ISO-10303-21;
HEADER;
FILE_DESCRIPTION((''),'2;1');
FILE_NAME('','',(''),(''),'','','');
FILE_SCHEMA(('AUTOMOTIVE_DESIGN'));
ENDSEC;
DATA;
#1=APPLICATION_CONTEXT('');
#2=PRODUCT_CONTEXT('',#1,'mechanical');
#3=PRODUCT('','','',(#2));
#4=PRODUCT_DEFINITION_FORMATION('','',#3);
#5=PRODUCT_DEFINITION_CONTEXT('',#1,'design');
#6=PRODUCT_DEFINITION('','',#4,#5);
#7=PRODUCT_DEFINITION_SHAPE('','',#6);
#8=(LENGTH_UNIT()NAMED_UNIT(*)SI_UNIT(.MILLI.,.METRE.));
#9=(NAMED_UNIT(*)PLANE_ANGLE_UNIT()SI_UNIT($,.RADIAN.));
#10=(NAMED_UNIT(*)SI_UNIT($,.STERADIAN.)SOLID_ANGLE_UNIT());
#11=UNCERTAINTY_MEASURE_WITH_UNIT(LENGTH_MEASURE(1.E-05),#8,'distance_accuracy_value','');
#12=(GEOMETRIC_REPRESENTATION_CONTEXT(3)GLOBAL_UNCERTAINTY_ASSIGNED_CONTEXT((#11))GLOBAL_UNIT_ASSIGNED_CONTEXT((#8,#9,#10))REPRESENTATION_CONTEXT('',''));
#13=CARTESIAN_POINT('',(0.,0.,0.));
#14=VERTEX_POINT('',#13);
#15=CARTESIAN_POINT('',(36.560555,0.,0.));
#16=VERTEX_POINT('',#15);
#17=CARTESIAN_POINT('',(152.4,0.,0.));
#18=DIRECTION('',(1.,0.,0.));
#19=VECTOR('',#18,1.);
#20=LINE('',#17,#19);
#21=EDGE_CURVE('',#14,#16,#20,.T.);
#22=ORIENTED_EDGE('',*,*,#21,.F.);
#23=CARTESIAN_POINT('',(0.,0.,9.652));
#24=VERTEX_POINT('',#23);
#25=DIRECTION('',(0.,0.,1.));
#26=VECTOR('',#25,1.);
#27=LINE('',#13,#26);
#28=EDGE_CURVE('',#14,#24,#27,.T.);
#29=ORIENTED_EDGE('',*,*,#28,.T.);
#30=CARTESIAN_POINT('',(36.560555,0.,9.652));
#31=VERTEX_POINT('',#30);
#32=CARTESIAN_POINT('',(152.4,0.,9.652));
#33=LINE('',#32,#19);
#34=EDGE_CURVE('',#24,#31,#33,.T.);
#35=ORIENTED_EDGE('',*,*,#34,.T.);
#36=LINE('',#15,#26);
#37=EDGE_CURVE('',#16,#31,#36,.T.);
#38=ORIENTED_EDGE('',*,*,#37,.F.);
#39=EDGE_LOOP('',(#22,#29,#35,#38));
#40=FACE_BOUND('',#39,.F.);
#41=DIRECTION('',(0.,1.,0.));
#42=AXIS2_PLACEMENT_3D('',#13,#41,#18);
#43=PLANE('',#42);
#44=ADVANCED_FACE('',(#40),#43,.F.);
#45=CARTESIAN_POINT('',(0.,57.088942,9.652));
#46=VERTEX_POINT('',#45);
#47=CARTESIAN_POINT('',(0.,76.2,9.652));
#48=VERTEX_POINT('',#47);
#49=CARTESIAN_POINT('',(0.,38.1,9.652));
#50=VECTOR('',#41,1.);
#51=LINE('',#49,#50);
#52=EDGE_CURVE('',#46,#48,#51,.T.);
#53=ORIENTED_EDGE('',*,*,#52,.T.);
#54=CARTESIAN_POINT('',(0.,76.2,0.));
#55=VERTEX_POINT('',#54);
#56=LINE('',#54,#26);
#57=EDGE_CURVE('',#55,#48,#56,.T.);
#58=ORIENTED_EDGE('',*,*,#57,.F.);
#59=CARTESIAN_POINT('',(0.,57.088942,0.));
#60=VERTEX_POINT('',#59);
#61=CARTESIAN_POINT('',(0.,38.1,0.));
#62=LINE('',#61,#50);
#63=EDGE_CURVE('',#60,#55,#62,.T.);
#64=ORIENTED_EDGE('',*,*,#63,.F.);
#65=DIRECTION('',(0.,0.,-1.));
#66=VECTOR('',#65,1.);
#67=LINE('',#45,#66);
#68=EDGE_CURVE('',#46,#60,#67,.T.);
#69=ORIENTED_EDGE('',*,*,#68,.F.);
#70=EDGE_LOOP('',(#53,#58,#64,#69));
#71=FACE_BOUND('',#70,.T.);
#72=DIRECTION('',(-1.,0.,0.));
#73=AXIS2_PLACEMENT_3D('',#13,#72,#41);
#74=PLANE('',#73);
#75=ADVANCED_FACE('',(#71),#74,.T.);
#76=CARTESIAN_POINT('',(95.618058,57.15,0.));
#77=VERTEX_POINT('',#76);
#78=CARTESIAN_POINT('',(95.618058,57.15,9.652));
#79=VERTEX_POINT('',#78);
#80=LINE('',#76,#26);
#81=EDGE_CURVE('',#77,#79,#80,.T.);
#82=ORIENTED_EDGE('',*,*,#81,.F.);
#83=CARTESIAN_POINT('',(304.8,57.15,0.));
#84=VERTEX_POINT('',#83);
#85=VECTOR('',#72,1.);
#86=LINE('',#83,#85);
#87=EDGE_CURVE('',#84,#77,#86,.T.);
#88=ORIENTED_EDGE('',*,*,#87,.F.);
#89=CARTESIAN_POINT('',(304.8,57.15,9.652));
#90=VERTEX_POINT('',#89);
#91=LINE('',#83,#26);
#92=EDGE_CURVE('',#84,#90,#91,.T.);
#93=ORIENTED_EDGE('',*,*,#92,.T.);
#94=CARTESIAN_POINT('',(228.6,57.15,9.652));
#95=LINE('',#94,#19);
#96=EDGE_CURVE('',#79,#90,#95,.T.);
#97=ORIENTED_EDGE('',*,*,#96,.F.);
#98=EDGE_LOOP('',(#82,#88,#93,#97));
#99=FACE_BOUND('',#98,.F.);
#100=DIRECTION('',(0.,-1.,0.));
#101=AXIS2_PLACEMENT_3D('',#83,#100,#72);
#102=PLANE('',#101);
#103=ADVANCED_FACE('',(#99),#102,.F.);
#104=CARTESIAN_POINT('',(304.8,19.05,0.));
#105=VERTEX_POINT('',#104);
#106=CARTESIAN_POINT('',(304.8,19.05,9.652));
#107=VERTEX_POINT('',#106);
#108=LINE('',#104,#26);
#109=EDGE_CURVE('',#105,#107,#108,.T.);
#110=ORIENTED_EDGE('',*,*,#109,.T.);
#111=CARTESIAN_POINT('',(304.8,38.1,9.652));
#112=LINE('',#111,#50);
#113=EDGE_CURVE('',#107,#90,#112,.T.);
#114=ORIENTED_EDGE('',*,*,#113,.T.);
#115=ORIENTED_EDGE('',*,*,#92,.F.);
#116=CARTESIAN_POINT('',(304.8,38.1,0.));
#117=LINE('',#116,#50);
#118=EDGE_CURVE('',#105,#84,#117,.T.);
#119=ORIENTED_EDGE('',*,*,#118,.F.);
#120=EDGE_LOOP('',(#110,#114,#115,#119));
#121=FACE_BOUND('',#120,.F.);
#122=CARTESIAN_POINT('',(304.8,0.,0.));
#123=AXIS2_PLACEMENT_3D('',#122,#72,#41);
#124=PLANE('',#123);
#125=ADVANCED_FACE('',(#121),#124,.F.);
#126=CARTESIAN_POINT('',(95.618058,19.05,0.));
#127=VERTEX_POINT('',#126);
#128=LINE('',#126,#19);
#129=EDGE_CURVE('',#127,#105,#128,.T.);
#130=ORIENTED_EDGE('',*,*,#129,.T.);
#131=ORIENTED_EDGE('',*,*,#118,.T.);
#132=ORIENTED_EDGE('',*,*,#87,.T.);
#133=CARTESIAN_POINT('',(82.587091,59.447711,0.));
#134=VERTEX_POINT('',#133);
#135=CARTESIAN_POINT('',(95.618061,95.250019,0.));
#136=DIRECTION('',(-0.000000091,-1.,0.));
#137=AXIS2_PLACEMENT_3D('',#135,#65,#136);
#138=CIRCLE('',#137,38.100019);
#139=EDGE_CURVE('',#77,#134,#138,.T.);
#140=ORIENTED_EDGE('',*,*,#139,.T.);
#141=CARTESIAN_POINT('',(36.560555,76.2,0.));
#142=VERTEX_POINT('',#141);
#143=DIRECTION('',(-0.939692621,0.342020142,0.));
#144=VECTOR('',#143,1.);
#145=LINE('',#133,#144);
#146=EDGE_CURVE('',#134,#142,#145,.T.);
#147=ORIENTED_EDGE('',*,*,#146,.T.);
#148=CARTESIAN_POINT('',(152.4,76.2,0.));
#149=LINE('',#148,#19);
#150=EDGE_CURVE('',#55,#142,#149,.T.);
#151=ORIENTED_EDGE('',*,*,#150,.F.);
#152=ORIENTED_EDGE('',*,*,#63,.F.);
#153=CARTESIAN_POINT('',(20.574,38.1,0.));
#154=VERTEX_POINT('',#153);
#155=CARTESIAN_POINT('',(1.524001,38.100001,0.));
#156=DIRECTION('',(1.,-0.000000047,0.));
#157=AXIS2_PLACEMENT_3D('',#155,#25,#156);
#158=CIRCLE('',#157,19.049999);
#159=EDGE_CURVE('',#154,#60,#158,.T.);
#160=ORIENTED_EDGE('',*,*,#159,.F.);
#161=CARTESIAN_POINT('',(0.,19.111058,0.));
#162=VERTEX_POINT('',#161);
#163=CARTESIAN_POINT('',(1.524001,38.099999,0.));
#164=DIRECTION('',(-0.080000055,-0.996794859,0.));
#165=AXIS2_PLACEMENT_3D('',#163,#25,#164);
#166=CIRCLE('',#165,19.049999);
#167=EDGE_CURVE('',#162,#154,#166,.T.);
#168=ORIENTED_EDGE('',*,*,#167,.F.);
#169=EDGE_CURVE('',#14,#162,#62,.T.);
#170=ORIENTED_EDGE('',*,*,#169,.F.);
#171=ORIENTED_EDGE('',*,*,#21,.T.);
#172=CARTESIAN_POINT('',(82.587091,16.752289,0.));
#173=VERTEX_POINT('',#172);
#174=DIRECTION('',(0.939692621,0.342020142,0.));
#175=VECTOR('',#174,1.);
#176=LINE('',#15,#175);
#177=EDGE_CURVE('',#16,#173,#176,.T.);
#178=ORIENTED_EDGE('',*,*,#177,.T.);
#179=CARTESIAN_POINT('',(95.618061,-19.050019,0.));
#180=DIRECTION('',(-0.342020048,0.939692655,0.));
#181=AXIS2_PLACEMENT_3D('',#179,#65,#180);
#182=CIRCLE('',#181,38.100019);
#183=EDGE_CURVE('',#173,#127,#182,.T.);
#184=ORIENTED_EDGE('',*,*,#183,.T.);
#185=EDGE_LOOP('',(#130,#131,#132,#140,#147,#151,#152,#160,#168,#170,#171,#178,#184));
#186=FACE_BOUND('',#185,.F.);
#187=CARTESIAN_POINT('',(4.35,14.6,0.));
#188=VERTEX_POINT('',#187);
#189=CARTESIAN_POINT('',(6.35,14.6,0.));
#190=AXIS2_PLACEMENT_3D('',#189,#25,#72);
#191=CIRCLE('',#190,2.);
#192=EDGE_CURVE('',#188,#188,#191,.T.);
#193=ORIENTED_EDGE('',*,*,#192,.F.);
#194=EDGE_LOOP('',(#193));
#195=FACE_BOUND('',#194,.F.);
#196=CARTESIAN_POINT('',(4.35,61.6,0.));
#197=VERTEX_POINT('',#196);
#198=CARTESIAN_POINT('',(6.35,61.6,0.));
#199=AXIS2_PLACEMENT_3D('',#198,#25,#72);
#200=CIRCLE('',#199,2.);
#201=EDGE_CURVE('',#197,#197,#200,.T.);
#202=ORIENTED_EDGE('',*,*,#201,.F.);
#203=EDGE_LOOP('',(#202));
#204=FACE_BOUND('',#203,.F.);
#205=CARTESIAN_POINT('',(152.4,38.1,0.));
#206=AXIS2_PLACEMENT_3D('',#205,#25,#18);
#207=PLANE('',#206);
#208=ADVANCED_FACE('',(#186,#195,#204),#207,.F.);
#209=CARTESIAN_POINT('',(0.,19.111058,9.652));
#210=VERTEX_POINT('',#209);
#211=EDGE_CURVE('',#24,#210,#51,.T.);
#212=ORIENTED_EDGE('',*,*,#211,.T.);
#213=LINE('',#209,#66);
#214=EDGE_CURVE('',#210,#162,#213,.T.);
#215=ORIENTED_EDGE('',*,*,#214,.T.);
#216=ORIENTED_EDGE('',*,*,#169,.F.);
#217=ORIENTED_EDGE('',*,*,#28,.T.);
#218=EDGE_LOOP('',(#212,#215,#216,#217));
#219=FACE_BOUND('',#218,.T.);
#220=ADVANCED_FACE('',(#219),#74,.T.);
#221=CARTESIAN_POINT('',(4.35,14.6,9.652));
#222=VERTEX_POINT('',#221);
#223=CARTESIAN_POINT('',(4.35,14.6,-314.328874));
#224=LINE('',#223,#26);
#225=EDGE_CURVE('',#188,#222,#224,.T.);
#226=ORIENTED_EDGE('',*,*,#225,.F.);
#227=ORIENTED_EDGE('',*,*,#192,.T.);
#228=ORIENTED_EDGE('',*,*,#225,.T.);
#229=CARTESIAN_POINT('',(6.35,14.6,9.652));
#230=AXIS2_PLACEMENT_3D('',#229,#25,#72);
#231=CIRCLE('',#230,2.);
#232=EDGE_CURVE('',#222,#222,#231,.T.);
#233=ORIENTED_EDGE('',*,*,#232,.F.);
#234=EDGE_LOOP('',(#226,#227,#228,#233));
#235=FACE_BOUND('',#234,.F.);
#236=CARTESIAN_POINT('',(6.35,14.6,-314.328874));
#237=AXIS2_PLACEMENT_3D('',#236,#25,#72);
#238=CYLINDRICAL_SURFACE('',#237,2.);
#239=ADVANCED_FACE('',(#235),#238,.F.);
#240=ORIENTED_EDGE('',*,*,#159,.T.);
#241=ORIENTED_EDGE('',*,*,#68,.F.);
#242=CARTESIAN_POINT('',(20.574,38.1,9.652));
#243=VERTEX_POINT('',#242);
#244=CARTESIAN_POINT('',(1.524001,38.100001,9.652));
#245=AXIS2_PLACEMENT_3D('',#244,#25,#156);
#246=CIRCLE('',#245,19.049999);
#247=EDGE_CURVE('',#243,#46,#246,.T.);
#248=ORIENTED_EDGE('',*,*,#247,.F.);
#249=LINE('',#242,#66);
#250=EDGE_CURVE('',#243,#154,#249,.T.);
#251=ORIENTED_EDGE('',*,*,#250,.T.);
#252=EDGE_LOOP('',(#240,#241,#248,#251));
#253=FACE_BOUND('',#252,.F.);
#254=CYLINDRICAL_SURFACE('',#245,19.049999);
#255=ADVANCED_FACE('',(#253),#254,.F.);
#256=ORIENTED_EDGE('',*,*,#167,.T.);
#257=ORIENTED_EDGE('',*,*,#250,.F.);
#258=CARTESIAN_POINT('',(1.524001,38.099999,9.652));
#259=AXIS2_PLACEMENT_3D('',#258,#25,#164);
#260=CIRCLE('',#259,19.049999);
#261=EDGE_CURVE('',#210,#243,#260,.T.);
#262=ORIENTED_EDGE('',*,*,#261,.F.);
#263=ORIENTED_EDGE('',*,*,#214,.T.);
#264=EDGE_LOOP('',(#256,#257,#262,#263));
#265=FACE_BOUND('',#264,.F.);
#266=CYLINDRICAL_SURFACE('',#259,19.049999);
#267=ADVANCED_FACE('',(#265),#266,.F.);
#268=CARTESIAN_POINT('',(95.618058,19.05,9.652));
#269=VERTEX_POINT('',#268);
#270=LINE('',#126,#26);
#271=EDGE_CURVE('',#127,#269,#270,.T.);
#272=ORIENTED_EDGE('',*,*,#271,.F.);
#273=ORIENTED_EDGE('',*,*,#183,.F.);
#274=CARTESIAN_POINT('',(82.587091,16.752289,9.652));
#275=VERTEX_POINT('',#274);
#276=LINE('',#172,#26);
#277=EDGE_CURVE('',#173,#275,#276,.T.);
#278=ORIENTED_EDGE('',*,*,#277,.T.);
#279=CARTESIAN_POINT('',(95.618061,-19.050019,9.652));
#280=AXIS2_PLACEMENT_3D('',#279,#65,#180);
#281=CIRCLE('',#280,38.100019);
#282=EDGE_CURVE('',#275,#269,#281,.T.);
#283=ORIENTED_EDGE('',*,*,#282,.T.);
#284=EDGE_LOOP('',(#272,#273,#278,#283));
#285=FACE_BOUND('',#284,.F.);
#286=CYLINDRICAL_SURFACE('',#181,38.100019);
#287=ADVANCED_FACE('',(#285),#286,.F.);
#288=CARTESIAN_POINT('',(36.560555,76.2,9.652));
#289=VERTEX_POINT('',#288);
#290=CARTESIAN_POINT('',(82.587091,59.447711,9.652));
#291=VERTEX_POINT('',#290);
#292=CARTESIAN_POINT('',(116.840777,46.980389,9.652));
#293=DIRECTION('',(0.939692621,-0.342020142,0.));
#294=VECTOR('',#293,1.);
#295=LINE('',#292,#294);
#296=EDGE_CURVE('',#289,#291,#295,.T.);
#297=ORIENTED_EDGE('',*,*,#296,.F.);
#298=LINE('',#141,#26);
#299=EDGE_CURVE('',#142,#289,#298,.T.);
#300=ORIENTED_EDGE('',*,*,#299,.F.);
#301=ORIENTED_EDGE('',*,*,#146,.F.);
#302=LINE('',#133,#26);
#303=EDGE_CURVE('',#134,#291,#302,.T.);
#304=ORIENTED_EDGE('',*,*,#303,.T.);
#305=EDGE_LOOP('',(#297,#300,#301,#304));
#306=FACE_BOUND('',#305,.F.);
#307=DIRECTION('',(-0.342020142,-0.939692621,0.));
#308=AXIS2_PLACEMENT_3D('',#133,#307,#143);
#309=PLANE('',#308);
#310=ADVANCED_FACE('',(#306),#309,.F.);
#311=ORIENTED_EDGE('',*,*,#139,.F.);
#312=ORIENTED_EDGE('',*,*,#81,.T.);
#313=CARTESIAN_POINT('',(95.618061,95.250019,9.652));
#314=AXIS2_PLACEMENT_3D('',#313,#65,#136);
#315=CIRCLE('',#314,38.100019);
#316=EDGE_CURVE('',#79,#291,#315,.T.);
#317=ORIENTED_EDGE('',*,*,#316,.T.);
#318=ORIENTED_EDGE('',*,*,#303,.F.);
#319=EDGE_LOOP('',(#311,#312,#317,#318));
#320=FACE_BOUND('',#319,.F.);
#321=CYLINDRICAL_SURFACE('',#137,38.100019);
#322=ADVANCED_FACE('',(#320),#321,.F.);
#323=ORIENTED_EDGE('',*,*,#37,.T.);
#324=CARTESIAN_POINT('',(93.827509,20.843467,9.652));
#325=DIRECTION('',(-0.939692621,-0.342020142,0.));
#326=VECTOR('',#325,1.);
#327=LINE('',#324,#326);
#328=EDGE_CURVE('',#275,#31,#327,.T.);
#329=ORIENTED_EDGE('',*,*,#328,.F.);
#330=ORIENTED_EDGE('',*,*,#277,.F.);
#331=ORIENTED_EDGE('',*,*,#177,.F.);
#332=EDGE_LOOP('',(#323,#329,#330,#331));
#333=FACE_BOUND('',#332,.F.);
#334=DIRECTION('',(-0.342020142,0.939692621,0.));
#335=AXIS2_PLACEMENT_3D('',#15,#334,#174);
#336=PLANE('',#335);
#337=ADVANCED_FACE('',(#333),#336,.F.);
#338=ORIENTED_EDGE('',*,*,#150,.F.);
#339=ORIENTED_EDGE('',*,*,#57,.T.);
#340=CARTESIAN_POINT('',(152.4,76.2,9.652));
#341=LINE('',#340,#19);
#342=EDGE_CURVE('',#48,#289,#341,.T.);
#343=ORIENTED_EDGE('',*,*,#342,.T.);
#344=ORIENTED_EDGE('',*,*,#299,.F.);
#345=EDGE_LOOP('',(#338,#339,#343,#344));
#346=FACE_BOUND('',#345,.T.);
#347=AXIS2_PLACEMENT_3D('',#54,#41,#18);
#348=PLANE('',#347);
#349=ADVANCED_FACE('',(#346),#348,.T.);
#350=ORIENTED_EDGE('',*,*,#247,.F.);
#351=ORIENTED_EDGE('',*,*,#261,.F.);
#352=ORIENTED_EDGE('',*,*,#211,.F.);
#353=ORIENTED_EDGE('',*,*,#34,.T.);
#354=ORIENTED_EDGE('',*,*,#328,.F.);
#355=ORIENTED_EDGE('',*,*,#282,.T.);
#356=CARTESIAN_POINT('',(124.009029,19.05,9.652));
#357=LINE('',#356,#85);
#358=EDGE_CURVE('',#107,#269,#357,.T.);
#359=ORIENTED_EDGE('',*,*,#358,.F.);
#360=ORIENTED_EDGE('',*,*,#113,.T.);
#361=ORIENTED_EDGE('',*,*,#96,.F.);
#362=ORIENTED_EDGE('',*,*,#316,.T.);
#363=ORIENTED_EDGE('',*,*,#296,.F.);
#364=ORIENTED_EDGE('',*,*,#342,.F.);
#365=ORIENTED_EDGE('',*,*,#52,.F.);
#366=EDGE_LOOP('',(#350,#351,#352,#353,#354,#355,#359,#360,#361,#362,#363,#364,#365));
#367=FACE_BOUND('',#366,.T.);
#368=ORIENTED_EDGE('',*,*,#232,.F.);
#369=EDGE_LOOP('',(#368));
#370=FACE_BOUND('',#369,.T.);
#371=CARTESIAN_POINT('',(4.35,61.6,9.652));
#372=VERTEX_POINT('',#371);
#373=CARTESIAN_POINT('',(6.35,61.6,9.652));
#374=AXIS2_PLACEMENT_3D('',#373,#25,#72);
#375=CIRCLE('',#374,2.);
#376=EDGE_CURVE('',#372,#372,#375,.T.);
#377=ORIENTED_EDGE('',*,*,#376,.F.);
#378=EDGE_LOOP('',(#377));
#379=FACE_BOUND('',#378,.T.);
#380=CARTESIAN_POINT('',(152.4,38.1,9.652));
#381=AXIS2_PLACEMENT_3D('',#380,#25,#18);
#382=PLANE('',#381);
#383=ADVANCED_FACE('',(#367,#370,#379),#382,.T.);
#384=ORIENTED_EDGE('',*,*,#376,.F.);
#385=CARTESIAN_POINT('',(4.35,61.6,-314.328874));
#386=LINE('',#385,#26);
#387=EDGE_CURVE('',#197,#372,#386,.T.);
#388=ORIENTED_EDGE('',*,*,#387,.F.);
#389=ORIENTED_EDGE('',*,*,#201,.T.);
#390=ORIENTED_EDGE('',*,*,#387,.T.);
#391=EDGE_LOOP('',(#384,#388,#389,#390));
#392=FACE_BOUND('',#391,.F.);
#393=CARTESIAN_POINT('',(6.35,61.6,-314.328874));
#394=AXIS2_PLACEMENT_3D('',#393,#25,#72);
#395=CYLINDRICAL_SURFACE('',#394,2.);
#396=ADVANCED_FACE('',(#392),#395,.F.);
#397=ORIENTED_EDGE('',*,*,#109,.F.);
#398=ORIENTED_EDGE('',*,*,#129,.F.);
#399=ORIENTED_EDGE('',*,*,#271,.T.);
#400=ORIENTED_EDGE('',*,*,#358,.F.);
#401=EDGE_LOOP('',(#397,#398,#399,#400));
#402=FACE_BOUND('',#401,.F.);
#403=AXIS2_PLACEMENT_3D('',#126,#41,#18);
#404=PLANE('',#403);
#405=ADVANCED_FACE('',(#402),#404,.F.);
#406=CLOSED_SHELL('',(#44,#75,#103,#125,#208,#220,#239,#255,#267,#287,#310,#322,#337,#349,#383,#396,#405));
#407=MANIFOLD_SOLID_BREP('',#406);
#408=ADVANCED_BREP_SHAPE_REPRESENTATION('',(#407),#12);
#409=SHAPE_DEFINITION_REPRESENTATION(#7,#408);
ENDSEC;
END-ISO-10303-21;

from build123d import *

# Parameters (mm, degrees)
F0_W     = 304.8
F0_H     = 76.2
F1_DEPTH = 9.652
F3_DEPTH = 9.653
F5_DEPTH = 25.4
F7_D     = 4


with BuildPart() as f1:
    # F0 (on Top) → F1 (new body)
    with BuildSketch(Plane.XY):
        with Locations((152.4, 38.1)):
            Rectangle(F0_W, F0_H)
    extrude(amount=F1_DEPTH)

    # F2 (on face) → F3 (cut, through all)
    with BuildSketch(Plane.XY.offset(9.652)):
        with BuildLine():
            ThreePointArc((0, 19.111058), (14.444339, 24.101166), (20.574, 38.1))
            ThreePointArc((20.574, 38.1), (14.444339, 52.098834), (0, 57.088942))
            Line((0, 57.088942), (0, 19.111058))
        make_face()
    extrude(amount=-F3_DEPTH, mode=Mode.SUBTRACT)

    # F4 (on face) → F5 (cut)
    with BuildSketch(Plane(origin=(0, 0, 0), x_dir=(1, 0, 0), z_dir=(0, 0, -1))):
        with BuildLine():
            Line((304.8, 0), (36.560555, 0))
            Line((36.560555, 0), (82.587091, -16.752289))
            ThreePointArc((82.587091, -16.752289), (89.002062, -18.471175), (95.618058, -19.05))
            Line((95.618058, -19.05), (304.8, -19.05))
            Line((304.8, -19.05), (304.8, 0))
        make_face()
        with BuildLine():
            Line((304.8, -76.2), (304.8, -57.15))
            Line((304.8, -57.15), (95.618058, -57.15))
            ThreePointArc((95.618058, -57.15), (89.002062, -57.728825), (82.587091, -59.447711))
            Line((82.587091, -59.447711), (36.560555, -76.2))
            Line((36.560555, -76.2), (304.8, -76.2))
        make_face()
    extrude(amount=-F5_DEPTH, mode=Mode.SUBTRACT)

    # F7 (through all)
    with Locations(Plane(origin=(0, 0, 0), x_dir=(1, 0, 0), z_dir=(0, 0, -1))):
        with Locations((6.35, -14.6), (6.35, -61.6)):
            Hole(F7_D / 2)


solid = f1.part
